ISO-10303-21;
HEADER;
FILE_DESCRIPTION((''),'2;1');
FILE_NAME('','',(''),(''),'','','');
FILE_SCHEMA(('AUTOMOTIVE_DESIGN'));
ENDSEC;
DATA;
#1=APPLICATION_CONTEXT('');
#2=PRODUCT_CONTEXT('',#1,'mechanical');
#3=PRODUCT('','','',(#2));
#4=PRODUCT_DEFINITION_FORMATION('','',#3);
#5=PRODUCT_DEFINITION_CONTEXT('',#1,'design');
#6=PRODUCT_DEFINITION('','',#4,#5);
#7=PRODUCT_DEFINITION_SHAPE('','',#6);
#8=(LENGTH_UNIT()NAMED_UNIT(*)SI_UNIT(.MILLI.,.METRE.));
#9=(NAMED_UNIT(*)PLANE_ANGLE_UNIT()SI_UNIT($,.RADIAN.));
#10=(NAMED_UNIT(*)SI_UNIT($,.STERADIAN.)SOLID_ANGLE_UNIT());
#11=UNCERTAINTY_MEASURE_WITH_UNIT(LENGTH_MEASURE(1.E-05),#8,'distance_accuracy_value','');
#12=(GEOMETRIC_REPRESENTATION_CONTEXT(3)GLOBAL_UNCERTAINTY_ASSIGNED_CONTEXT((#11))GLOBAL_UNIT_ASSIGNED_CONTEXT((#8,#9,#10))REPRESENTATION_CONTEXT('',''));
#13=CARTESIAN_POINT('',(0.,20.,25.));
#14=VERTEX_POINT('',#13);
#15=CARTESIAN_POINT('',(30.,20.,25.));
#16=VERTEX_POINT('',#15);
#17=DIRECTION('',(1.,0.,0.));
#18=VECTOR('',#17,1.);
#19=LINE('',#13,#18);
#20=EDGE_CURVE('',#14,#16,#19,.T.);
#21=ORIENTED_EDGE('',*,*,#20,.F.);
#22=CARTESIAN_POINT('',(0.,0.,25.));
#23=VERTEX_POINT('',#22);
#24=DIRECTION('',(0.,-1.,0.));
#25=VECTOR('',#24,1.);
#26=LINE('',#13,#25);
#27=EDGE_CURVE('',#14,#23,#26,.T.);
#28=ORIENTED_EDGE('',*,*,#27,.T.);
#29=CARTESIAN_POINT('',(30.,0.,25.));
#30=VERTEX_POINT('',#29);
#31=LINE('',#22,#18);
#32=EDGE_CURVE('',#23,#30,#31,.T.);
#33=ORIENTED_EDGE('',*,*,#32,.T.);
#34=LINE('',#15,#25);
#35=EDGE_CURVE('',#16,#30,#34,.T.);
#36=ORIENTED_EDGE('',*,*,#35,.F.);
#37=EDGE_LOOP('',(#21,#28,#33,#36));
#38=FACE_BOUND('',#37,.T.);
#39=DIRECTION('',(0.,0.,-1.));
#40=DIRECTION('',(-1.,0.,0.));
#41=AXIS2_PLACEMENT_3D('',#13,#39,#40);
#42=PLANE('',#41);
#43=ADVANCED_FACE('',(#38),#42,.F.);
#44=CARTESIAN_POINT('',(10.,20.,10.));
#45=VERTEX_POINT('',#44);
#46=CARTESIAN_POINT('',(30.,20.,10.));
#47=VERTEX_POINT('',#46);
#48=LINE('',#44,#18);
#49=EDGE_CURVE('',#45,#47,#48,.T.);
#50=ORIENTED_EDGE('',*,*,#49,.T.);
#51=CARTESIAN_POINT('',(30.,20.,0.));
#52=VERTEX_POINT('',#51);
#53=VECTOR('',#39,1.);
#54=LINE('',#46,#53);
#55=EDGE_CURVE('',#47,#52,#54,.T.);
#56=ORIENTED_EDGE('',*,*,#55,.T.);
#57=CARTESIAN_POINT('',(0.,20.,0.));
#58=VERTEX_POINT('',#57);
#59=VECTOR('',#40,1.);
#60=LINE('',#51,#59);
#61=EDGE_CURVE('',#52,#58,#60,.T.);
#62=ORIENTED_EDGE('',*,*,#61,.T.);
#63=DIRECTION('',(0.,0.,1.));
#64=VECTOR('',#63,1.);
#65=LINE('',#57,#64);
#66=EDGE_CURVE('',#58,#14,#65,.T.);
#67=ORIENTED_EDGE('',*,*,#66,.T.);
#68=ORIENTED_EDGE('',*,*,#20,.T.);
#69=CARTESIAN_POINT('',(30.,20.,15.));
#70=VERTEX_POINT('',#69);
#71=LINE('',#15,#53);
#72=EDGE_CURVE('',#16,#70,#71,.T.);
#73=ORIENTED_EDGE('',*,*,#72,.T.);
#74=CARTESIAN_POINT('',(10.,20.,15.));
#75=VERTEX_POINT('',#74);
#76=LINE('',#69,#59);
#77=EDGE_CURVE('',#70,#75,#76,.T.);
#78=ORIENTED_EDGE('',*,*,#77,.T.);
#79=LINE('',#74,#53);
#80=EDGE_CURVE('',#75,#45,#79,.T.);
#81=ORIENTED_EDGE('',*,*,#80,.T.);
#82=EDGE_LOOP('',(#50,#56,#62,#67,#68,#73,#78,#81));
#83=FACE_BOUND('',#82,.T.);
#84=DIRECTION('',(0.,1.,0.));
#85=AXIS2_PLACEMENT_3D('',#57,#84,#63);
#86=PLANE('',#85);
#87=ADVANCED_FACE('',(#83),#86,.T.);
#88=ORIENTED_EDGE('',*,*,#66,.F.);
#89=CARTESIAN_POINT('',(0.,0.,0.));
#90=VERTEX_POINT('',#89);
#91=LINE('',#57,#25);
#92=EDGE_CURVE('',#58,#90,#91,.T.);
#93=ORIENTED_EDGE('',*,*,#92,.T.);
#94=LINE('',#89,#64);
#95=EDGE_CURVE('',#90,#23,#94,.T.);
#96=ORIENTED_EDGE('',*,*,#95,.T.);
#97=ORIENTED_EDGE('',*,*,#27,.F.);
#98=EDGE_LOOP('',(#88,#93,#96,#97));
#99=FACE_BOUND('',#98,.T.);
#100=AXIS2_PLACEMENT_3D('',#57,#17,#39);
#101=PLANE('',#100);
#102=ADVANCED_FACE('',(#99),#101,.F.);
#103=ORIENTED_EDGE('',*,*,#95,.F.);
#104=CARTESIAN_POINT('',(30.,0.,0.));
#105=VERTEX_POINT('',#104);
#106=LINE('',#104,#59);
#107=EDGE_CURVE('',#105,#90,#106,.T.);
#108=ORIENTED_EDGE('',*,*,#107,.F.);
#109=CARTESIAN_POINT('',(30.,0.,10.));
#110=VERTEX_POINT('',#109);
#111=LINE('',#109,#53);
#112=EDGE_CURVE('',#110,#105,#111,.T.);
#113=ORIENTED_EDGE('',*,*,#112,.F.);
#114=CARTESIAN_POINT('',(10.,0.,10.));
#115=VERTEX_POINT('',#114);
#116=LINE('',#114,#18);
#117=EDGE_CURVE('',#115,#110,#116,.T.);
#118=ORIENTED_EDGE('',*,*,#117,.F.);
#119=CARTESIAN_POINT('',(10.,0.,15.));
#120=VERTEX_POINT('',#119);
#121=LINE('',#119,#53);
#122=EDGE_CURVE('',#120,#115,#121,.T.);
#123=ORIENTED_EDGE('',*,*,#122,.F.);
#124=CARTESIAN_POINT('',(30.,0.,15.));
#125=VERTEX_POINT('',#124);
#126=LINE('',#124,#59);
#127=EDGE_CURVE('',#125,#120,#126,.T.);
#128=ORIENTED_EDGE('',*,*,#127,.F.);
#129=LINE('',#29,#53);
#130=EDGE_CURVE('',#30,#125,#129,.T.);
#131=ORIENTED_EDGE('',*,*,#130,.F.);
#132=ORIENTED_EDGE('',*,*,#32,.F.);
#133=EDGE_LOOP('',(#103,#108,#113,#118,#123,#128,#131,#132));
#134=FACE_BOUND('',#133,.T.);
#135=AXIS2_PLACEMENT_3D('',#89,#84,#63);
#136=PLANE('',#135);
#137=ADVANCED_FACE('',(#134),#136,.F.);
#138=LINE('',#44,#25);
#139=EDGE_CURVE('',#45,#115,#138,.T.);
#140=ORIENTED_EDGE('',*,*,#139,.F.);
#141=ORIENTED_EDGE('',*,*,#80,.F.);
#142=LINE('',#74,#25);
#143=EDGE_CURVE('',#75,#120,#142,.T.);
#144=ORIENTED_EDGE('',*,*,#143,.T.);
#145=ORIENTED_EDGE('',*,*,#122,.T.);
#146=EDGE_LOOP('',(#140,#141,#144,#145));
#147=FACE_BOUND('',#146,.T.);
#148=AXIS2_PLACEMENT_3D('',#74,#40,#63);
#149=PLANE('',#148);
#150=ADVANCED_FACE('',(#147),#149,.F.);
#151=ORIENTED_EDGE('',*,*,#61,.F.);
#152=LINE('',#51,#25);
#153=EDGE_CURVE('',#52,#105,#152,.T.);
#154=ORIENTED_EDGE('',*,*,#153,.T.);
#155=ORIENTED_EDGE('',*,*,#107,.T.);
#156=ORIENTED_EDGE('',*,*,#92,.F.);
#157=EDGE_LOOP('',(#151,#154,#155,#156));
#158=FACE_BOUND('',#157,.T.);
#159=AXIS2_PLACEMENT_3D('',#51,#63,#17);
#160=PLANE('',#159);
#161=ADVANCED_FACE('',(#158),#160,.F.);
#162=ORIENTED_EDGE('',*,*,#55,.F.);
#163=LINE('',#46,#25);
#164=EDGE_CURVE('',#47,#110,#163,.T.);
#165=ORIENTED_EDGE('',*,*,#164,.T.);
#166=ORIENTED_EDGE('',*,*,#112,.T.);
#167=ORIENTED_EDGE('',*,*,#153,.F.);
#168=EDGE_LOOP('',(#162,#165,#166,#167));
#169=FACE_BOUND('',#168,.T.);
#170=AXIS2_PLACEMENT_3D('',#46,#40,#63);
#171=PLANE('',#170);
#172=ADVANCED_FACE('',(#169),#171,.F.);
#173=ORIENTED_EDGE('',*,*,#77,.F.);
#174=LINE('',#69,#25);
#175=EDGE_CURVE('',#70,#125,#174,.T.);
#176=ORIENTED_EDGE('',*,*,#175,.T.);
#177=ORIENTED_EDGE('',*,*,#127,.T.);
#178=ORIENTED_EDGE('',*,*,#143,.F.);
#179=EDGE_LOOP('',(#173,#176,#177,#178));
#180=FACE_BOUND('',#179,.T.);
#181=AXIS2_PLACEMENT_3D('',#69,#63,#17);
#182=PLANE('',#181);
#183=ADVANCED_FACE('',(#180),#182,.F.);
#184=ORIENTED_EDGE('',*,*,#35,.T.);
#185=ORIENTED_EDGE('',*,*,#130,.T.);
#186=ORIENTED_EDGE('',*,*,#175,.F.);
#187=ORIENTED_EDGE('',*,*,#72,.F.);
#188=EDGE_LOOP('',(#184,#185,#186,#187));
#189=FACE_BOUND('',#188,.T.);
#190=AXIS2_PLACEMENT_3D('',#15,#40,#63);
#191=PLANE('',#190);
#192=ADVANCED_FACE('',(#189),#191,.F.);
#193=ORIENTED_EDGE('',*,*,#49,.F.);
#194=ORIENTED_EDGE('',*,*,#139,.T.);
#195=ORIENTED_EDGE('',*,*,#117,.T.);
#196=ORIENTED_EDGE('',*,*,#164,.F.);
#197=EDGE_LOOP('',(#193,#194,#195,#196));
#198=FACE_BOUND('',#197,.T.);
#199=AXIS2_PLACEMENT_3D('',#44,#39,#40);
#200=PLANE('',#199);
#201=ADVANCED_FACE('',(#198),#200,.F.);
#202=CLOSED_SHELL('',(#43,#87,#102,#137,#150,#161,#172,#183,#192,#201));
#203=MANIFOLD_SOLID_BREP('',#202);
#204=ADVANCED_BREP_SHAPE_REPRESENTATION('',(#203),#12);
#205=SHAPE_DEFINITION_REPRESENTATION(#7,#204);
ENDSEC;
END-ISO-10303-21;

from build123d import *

# Parameters (mm, degrees)
BOSS_EXTRUDE1_DEPTH = 20


with BuildPart() as part:
    # Sketch1 → Boss-Extrude1 (new body)
    with BuildSketch(Plane(origin=(0, 0, 0), x_dir=(1, 0, 0), z_dir=(0, 1, 0))):
        Polygon((0, 0), (0, -25), (30, -25), (30, -15), (10, -15), (10, -10), (30, -10), (30, 0), align=None)
    extrude(amount=BOSS_EXTRUDE1_DEPTH)


solid = part.part
